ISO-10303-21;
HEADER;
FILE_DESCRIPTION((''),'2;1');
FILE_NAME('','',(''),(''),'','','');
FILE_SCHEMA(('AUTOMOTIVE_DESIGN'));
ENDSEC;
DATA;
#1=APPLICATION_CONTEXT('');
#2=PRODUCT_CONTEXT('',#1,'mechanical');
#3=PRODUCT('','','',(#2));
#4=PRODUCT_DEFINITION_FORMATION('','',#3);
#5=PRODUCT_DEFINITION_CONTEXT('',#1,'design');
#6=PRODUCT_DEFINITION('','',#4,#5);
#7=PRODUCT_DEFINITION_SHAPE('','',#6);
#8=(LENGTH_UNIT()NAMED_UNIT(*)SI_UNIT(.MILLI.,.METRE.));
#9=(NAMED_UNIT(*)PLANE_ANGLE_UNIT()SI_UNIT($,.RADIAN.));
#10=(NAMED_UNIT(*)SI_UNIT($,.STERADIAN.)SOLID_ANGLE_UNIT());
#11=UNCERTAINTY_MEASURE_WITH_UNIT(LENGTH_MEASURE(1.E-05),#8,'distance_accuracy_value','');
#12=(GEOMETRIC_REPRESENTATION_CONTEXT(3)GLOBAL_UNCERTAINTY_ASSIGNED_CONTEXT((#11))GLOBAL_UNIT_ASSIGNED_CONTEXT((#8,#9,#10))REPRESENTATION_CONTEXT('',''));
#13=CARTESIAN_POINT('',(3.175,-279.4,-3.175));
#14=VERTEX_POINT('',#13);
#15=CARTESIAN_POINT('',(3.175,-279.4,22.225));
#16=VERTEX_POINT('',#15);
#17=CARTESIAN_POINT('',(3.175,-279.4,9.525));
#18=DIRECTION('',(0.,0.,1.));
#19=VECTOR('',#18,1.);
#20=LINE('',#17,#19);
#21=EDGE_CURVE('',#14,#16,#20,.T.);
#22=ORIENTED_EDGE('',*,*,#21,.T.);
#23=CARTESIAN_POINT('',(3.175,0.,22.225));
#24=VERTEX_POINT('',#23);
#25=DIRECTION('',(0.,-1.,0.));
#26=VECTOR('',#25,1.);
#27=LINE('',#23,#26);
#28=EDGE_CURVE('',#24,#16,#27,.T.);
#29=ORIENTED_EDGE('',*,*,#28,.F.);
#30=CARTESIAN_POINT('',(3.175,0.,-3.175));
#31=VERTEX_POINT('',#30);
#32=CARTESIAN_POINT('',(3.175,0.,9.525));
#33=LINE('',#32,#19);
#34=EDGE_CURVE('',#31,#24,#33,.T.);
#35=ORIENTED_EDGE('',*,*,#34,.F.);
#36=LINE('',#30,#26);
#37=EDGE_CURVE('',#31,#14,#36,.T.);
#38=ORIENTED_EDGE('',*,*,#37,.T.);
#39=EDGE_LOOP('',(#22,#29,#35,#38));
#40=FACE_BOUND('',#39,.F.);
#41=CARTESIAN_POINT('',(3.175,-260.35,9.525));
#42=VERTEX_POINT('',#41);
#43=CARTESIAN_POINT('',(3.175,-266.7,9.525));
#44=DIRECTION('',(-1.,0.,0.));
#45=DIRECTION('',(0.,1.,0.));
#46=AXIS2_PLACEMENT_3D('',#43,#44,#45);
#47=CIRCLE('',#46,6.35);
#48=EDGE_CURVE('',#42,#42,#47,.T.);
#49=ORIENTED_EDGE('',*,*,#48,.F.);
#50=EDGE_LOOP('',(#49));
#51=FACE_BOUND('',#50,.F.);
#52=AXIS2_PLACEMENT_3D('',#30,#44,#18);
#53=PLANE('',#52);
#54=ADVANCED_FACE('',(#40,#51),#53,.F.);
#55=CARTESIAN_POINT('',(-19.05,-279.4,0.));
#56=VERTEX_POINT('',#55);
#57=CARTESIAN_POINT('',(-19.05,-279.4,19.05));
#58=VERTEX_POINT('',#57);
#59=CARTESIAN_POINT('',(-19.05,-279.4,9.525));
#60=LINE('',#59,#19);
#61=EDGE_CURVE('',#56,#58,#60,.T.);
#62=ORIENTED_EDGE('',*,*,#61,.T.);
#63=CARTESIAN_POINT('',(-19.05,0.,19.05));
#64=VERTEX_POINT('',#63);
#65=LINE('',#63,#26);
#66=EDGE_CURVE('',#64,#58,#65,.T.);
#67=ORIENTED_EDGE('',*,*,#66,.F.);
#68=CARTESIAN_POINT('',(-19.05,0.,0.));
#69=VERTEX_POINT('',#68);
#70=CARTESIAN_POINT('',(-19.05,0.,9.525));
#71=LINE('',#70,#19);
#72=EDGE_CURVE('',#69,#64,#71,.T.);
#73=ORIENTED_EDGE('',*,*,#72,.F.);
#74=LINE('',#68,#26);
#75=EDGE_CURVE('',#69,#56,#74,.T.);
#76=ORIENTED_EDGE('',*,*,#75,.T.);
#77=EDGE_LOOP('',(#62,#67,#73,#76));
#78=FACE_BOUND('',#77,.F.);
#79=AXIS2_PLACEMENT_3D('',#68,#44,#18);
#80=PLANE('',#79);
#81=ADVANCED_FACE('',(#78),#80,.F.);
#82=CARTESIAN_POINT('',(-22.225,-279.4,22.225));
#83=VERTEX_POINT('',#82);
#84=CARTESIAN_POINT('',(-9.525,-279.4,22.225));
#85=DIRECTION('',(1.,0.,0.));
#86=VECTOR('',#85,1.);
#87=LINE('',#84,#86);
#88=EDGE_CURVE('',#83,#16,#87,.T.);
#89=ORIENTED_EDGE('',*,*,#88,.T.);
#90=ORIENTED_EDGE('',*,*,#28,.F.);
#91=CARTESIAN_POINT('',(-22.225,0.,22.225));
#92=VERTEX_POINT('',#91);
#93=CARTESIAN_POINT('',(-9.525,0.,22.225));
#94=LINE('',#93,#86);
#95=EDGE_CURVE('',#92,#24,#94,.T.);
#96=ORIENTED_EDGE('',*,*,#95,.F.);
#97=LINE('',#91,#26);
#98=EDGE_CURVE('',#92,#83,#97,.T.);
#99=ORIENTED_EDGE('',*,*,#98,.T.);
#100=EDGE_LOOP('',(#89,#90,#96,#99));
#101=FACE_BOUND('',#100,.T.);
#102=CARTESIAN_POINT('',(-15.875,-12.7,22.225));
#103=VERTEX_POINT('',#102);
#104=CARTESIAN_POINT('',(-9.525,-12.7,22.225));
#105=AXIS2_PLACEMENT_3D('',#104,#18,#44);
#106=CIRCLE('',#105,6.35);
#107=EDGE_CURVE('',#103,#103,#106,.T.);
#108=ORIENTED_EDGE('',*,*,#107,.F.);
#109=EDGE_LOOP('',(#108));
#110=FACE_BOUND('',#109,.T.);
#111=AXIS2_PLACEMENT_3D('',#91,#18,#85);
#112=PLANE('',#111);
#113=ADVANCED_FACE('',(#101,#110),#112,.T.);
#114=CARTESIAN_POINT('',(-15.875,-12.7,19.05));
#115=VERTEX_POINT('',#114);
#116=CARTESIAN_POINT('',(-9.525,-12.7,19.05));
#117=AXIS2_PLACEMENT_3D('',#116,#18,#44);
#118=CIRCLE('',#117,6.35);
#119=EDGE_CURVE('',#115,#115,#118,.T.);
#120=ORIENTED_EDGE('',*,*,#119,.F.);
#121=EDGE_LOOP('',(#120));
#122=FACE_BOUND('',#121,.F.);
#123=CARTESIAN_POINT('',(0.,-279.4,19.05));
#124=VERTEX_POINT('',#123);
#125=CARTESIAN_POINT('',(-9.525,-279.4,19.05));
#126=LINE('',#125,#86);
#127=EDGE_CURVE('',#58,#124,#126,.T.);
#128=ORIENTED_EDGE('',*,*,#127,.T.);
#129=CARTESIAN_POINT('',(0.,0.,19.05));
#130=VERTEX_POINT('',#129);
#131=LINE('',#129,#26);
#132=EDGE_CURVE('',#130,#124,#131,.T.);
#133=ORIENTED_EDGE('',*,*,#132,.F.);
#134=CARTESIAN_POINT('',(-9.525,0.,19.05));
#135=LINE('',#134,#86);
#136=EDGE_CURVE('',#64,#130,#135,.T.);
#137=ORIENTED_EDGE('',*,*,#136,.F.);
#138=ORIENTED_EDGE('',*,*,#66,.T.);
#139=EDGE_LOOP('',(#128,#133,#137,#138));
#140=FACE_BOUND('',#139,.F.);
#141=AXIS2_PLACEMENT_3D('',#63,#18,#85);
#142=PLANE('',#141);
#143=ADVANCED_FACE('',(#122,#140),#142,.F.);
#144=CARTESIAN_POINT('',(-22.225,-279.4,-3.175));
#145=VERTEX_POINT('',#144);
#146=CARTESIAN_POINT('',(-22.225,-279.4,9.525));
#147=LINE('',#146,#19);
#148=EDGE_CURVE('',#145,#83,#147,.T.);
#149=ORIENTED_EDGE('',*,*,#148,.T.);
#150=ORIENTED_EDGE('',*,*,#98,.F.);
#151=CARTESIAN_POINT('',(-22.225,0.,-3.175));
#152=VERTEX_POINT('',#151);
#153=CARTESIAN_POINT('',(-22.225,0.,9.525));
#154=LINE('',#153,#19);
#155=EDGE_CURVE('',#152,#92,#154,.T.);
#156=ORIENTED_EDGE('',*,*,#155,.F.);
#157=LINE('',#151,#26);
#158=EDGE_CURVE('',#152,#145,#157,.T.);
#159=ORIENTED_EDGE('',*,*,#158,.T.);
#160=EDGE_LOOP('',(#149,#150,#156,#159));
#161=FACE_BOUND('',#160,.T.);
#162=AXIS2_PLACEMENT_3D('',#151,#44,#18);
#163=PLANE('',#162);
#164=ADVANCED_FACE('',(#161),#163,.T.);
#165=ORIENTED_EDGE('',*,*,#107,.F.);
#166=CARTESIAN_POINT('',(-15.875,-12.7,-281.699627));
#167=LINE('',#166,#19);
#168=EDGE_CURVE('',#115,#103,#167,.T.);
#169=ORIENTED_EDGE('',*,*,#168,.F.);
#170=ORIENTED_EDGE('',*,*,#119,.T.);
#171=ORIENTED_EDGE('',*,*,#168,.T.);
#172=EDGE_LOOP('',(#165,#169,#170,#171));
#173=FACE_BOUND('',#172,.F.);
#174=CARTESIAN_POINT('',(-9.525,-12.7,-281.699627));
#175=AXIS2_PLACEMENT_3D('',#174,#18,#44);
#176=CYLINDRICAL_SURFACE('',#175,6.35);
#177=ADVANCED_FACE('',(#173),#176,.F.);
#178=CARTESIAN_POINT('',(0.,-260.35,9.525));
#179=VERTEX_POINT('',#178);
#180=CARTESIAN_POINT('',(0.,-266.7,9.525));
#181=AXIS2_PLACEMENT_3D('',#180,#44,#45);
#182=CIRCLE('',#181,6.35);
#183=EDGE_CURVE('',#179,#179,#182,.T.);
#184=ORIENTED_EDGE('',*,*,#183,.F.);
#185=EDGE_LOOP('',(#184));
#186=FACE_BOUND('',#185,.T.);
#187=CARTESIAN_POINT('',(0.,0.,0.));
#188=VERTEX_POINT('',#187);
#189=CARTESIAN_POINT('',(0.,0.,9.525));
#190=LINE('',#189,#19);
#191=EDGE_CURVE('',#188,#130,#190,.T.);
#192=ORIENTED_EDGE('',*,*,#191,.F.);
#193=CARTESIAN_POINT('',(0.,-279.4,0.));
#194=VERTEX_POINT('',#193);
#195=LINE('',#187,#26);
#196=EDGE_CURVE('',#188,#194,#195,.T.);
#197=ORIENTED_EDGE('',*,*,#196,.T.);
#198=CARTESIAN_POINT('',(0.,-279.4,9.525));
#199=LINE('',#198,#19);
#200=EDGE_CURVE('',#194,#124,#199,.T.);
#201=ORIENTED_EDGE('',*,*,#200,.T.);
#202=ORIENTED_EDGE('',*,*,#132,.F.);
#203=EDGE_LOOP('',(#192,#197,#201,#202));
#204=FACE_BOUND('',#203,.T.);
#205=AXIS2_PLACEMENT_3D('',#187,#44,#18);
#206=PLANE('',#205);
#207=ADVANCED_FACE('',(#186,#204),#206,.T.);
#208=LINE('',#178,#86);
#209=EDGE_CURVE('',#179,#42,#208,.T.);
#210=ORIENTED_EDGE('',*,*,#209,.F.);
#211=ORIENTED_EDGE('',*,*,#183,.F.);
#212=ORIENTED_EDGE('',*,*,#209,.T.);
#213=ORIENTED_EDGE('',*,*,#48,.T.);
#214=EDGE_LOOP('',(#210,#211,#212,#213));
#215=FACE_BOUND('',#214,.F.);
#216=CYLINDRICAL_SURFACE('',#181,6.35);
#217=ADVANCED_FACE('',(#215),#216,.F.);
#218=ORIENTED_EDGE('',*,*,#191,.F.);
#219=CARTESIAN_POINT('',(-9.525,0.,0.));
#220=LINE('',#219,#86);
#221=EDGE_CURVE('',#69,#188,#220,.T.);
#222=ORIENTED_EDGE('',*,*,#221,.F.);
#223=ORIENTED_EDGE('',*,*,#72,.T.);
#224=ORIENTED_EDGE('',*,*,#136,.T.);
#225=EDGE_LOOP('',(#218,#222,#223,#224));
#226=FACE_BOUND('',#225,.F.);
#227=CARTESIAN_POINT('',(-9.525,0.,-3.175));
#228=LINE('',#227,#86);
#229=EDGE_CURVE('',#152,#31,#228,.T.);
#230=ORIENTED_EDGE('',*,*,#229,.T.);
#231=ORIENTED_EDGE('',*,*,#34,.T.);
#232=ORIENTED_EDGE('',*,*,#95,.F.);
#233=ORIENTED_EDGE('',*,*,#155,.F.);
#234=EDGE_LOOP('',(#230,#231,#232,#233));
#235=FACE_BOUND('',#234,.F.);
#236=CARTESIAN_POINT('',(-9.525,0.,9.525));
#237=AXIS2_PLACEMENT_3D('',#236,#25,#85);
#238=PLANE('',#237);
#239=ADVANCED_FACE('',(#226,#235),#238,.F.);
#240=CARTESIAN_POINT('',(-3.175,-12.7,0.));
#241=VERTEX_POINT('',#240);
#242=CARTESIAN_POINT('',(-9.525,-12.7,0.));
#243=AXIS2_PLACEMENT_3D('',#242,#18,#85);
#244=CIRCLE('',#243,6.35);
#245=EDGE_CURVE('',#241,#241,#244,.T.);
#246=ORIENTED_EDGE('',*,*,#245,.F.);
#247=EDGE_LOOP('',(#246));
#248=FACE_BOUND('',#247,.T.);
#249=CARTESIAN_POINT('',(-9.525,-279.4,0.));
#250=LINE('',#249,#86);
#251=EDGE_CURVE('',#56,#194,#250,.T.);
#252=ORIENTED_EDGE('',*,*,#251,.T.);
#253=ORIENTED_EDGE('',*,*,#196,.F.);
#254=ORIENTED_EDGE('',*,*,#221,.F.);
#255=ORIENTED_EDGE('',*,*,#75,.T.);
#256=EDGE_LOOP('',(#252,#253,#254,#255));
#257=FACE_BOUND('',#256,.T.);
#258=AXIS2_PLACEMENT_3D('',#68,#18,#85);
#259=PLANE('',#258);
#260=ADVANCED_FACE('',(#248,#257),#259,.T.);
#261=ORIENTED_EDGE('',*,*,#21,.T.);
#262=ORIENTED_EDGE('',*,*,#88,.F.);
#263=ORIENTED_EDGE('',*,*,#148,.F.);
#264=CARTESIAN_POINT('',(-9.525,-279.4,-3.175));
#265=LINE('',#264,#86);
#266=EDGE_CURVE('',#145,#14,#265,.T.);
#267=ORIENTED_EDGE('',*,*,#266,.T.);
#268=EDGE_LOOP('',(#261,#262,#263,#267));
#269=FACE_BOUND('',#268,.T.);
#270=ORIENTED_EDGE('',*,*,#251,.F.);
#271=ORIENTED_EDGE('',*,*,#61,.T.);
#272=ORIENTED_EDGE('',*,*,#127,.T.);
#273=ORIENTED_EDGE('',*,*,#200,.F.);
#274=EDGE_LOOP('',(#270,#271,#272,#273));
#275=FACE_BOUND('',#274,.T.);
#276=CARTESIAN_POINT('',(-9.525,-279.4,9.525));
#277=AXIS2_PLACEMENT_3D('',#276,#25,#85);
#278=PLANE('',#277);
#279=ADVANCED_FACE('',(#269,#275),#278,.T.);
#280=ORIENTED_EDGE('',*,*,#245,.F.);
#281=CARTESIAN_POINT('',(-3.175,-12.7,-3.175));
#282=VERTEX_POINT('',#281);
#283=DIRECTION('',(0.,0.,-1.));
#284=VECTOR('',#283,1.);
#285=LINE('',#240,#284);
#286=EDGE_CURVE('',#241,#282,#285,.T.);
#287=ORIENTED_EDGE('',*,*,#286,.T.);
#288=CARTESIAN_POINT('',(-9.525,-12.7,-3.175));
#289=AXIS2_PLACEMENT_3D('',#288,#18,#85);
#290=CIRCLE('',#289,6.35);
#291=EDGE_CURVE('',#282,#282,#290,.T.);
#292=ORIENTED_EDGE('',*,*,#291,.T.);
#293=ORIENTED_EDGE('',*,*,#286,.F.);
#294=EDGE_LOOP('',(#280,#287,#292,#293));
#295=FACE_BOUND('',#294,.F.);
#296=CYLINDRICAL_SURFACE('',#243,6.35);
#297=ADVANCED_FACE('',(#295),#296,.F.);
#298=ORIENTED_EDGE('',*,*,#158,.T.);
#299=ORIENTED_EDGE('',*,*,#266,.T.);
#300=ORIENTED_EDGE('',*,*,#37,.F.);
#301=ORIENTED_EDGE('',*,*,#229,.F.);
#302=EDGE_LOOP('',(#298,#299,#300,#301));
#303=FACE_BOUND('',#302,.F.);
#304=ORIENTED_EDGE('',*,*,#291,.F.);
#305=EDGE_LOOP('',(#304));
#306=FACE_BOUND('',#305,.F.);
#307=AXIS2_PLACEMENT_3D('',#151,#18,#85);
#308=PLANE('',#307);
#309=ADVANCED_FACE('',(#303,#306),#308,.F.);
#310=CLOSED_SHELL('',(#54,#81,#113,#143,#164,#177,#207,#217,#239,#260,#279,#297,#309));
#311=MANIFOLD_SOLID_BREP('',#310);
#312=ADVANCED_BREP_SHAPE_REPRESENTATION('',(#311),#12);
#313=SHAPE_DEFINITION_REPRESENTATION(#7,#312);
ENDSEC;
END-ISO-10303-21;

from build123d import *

# Parameters (mm, degrees)
F0_W     = 25.4
F0_H     = 25.4
F0_W_2   = 19.05
F0_H_2   = 19.05
F1_DEPTH = 279.4
F3_D     = 12.7
F3_DEPTH = 3.176
F5_D     = 12.7
F7_D     = 12.7
F7_DEPTH = 3.176


with BuildPart() as f1:
    # F0 (on Front) → F1 (new body)
    with BuildSketch(Plane.XZ):
        with Locations((-9.525, 9.525)):
            Rectangle(F0_W, F0_H)
        with Locations((-9.525, 9.525)):
            Rectangle(F0_W_2, F0_H_2, mode=Mode.SUBTRACT)
    extrude(amount=F1_DEPTH)

    # F3 (through all, one way)
    with BuildSketch(Plane.XY):
        with Locations((-9.525, -12.7)):
            Circle(F3_D / 2)
    extrude(amount=-F3_DEPTH, mode=Mode.SUBTRACT)

    # F5 (through all)
    with Locations(Plane(origin=(0, 0, 0), x_dir=(1, 0, 0), z_dir=(0, 0, -1))):
        with Locations((-9.525, 12.7)):
            Hole(F5_D / 2)

    # F7 (through all, one way)
    with BuildSketch(Plane(origin=(0, 0, 0), x_dir=(0, 1, 0), z_dir=(-1, 0, 0))):
        with Locations((-266.7, -9.525)):
            Circle(F7_D / 2)
    extrude(amount=-F7_DEPTH, mode=Mode.SUBTRACT)


solid = f1.part
